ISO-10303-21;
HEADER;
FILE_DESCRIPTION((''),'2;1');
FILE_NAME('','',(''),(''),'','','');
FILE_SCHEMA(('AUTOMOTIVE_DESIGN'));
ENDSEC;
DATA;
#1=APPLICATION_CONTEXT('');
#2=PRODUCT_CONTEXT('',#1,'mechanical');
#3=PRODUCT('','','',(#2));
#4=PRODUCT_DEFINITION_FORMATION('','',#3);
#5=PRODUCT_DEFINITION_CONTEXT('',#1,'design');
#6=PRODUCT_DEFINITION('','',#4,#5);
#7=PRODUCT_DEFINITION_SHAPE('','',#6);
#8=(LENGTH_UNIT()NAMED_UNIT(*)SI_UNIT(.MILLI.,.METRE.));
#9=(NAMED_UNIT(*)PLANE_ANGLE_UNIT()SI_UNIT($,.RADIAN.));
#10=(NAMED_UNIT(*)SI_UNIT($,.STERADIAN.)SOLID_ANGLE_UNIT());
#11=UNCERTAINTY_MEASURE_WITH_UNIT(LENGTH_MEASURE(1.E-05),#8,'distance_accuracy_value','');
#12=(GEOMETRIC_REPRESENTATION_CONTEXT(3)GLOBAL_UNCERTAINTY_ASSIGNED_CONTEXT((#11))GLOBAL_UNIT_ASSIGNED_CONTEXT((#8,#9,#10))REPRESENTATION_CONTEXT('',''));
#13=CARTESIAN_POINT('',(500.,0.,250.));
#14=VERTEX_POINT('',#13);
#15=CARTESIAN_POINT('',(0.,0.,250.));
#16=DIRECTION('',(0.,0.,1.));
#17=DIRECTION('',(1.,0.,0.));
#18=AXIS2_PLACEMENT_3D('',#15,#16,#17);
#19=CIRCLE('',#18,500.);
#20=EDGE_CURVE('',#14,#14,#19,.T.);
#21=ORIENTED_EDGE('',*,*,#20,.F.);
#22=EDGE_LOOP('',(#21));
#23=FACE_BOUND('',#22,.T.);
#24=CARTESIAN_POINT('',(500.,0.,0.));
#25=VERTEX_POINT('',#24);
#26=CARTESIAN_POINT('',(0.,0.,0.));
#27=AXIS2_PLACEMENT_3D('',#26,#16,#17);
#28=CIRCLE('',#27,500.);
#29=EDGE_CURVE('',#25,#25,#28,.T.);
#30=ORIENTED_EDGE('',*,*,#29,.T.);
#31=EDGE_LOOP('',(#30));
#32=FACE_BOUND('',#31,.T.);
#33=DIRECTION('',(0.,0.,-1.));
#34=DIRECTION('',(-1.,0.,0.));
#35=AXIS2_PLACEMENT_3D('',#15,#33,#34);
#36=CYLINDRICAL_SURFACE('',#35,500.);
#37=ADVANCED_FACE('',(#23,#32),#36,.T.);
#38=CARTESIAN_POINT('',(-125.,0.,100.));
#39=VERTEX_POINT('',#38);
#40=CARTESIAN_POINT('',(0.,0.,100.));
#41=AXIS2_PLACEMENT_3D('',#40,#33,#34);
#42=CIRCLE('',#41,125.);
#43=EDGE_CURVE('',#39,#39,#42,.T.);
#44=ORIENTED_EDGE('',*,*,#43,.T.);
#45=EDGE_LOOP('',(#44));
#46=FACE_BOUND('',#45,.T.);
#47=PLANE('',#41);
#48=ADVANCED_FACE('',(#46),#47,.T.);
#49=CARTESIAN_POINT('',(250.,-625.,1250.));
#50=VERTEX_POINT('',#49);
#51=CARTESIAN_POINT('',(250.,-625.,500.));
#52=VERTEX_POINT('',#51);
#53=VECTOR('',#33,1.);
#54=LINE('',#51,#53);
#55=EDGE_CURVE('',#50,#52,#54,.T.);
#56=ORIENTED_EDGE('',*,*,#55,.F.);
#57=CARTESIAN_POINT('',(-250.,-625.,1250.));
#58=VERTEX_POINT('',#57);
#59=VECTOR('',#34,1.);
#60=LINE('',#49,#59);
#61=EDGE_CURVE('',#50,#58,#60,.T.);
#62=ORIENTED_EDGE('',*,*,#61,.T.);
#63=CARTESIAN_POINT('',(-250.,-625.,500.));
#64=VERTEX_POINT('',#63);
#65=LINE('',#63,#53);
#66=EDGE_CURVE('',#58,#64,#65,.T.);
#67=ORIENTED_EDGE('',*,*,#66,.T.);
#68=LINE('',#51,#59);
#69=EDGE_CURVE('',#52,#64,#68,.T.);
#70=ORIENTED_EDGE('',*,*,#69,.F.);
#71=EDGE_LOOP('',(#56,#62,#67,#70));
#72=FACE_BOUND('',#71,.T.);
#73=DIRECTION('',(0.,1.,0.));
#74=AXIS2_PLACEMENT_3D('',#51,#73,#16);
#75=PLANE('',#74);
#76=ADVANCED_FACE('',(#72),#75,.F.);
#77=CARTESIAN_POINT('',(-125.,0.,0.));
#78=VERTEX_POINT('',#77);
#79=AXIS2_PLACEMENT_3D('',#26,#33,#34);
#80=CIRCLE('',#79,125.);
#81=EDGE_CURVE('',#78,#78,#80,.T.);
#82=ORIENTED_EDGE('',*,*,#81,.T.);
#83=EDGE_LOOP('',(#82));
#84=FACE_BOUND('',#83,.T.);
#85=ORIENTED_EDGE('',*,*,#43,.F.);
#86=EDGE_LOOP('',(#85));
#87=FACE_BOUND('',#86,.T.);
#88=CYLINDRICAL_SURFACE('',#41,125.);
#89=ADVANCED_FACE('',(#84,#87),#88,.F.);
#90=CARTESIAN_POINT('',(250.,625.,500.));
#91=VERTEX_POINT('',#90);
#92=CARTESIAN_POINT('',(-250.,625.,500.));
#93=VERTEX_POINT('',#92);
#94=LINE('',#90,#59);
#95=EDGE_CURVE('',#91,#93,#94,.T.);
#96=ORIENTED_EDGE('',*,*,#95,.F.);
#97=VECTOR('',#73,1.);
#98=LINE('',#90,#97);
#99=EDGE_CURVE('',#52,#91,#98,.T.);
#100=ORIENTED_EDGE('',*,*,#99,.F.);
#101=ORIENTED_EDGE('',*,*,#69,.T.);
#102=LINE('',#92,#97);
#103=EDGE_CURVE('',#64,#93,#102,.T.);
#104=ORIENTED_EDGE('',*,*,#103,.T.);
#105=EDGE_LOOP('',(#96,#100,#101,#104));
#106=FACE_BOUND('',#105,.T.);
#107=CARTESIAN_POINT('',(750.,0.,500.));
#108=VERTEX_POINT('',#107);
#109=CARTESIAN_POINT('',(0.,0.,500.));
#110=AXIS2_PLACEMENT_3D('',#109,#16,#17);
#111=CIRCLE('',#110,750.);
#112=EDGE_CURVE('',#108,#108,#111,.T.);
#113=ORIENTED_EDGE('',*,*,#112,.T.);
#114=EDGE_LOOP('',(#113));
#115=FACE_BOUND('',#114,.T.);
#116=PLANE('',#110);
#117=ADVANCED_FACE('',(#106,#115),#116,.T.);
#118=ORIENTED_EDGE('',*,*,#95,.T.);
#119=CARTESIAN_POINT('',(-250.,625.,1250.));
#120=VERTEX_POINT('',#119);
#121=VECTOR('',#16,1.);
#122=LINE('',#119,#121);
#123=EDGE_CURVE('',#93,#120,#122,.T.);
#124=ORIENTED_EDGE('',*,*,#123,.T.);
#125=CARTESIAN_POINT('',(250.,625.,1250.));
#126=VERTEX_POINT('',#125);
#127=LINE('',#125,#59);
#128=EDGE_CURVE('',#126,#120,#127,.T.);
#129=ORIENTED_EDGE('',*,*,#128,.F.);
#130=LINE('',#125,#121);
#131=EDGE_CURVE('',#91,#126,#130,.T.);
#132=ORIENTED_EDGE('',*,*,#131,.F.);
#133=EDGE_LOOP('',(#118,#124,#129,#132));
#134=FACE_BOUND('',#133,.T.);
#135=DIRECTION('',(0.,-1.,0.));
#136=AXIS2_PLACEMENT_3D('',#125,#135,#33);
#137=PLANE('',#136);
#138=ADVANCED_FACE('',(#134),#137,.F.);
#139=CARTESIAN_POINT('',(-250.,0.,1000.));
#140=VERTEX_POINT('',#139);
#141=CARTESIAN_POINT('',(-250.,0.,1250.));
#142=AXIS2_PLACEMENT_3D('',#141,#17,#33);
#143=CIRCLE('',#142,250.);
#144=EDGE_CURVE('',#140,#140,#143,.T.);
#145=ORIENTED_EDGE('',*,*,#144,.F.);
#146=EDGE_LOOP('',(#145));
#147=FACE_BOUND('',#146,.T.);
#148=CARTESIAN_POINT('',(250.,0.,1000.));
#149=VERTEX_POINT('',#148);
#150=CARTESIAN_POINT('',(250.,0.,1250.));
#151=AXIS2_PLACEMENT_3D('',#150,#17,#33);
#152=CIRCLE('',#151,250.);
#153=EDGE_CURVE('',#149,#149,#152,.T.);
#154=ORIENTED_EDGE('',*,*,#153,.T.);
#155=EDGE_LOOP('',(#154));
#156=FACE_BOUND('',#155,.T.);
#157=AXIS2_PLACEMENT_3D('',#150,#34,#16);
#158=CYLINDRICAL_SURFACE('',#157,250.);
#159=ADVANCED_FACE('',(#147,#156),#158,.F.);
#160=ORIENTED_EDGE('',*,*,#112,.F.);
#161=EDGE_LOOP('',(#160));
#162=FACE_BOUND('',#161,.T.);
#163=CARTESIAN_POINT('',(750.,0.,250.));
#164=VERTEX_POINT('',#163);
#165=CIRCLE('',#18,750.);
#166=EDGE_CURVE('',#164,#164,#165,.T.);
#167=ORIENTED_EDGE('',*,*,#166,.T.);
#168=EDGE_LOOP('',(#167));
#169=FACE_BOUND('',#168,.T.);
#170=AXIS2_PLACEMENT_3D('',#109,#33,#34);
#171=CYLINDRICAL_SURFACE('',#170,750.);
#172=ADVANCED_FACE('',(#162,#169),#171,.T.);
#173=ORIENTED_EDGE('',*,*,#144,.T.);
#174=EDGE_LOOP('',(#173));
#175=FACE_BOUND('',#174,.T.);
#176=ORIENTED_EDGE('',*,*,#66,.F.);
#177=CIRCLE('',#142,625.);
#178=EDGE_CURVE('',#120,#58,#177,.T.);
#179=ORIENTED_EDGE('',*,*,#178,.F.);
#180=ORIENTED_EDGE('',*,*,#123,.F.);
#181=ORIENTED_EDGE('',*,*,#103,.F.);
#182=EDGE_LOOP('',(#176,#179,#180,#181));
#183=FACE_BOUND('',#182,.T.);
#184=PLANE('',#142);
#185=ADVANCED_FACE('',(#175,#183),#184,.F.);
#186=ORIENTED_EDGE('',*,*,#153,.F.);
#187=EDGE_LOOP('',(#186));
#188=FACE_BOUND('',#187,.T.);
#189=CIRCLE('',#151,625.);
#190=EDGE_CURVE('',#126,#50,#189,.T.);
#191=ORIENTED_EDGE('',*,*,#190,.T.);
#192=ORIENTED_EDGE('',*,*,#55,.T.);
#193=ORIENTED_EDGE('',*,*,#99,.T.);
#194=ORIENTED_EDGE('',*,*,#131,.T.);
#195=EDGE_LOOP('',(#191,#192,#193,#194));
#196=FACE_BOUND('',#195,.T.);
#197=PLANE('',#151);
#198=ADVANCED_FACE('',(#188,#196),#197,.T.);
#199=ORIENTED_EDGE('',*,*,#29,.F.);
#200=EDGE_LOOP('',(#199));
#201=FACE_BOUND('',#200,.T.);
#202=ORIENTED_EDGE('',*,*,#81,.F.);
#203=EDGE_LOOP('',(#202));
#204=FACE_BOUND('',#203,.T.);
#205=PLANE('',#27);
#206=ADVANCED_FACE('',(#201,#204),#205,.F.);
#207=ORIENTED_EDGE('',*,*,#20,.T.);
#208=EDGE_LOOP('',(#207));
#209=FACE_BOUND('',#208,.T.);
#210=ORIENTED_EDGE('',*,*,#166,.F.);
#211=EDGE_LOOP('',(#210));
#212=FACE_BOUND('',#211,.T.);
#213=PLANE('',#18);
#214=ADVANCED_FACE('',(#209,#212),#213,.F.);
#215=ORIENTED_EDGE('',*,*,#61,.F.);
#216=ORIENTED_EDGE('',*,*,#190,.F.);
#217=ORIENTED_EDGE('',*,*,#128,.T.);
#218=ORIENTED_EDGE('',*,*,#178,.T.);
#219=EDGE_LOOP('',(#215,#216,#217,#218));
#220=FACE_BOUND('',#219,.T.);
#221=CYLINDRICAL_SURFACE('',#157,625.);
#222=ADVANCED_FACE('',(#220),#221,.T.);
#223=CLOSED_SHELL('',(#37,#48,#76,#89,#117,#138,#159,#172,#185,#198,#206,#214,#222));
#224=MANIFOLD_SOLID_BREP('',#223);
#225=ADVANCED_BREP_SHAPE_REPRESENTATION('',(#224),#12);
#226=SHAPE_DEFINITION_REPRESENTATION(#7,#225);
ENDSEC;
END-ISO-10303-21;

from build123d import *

# Parameters (mm, degrees)
SKETCH1_R           = 500
BOSS_EXTRUDE1_DEPTH = 250
SKETCH3_R           = 125
CUT_EXTRUDE1_DEPTH  = 100
SKETCH4_R           = 750
BOSS_EXTRUDE2_DEPTH = 250
SKETCH5_R           = 250
BOSS_EXTRUDE4_DEPTH = 250


with BuildPart() as part:
    # Sketch1 → Boss-Extrude1 (new body)
    with BuildSketch(Plane.XY):
        Circle(SKETCH1_R)
    extrude(amount=BOSS_EXTRUDE1_DEPTH)

    # Sketch3 → Cut-Extrude1 (cut)
    with BuildSketch(Plane(origin=(0, 0, 0), x_dir=(-1, 0, 0), z_dir=(0, 0, -1))):
        Circle(SKETCH3_R)
    extrude(amount=-CUT_EXTRUDE1_DEPTH, mode=Mode.SUBTRACT)

    # Sketch4 → Boss-Extrude2 (add)
    with BuildSketch(Plane.XY.offset(250)):
        Circle(SKETCH4_R)
    extrude(amount=BOSS_EXTRUDE2_DEPTH)

    # Sketch5 → Boss-Extrude4 (add, symmetric)
    with BuildSketch(Plane(origin=(0, 0, 0), x_dir=(0, 0, -1), z_dir=(1, 0, 0))):
        with BuildLine():
            Line((-1250, 625), (-500, 625))
            Line((-500, 625), (-500, -625))
            Line((-500, -625), (-1250, -625))
            ThreePointArc((-1250, -625), (-1875, 0), (-1250, 625))
        make_face()
        with Locations((-1250, 0)):
            Circle(SKETCH5_R, mode=Mode.SUBTRACT)
    extrude(amount=BOSS_EXTRUDE4_DEPTH, both=True)


solid = part.part
